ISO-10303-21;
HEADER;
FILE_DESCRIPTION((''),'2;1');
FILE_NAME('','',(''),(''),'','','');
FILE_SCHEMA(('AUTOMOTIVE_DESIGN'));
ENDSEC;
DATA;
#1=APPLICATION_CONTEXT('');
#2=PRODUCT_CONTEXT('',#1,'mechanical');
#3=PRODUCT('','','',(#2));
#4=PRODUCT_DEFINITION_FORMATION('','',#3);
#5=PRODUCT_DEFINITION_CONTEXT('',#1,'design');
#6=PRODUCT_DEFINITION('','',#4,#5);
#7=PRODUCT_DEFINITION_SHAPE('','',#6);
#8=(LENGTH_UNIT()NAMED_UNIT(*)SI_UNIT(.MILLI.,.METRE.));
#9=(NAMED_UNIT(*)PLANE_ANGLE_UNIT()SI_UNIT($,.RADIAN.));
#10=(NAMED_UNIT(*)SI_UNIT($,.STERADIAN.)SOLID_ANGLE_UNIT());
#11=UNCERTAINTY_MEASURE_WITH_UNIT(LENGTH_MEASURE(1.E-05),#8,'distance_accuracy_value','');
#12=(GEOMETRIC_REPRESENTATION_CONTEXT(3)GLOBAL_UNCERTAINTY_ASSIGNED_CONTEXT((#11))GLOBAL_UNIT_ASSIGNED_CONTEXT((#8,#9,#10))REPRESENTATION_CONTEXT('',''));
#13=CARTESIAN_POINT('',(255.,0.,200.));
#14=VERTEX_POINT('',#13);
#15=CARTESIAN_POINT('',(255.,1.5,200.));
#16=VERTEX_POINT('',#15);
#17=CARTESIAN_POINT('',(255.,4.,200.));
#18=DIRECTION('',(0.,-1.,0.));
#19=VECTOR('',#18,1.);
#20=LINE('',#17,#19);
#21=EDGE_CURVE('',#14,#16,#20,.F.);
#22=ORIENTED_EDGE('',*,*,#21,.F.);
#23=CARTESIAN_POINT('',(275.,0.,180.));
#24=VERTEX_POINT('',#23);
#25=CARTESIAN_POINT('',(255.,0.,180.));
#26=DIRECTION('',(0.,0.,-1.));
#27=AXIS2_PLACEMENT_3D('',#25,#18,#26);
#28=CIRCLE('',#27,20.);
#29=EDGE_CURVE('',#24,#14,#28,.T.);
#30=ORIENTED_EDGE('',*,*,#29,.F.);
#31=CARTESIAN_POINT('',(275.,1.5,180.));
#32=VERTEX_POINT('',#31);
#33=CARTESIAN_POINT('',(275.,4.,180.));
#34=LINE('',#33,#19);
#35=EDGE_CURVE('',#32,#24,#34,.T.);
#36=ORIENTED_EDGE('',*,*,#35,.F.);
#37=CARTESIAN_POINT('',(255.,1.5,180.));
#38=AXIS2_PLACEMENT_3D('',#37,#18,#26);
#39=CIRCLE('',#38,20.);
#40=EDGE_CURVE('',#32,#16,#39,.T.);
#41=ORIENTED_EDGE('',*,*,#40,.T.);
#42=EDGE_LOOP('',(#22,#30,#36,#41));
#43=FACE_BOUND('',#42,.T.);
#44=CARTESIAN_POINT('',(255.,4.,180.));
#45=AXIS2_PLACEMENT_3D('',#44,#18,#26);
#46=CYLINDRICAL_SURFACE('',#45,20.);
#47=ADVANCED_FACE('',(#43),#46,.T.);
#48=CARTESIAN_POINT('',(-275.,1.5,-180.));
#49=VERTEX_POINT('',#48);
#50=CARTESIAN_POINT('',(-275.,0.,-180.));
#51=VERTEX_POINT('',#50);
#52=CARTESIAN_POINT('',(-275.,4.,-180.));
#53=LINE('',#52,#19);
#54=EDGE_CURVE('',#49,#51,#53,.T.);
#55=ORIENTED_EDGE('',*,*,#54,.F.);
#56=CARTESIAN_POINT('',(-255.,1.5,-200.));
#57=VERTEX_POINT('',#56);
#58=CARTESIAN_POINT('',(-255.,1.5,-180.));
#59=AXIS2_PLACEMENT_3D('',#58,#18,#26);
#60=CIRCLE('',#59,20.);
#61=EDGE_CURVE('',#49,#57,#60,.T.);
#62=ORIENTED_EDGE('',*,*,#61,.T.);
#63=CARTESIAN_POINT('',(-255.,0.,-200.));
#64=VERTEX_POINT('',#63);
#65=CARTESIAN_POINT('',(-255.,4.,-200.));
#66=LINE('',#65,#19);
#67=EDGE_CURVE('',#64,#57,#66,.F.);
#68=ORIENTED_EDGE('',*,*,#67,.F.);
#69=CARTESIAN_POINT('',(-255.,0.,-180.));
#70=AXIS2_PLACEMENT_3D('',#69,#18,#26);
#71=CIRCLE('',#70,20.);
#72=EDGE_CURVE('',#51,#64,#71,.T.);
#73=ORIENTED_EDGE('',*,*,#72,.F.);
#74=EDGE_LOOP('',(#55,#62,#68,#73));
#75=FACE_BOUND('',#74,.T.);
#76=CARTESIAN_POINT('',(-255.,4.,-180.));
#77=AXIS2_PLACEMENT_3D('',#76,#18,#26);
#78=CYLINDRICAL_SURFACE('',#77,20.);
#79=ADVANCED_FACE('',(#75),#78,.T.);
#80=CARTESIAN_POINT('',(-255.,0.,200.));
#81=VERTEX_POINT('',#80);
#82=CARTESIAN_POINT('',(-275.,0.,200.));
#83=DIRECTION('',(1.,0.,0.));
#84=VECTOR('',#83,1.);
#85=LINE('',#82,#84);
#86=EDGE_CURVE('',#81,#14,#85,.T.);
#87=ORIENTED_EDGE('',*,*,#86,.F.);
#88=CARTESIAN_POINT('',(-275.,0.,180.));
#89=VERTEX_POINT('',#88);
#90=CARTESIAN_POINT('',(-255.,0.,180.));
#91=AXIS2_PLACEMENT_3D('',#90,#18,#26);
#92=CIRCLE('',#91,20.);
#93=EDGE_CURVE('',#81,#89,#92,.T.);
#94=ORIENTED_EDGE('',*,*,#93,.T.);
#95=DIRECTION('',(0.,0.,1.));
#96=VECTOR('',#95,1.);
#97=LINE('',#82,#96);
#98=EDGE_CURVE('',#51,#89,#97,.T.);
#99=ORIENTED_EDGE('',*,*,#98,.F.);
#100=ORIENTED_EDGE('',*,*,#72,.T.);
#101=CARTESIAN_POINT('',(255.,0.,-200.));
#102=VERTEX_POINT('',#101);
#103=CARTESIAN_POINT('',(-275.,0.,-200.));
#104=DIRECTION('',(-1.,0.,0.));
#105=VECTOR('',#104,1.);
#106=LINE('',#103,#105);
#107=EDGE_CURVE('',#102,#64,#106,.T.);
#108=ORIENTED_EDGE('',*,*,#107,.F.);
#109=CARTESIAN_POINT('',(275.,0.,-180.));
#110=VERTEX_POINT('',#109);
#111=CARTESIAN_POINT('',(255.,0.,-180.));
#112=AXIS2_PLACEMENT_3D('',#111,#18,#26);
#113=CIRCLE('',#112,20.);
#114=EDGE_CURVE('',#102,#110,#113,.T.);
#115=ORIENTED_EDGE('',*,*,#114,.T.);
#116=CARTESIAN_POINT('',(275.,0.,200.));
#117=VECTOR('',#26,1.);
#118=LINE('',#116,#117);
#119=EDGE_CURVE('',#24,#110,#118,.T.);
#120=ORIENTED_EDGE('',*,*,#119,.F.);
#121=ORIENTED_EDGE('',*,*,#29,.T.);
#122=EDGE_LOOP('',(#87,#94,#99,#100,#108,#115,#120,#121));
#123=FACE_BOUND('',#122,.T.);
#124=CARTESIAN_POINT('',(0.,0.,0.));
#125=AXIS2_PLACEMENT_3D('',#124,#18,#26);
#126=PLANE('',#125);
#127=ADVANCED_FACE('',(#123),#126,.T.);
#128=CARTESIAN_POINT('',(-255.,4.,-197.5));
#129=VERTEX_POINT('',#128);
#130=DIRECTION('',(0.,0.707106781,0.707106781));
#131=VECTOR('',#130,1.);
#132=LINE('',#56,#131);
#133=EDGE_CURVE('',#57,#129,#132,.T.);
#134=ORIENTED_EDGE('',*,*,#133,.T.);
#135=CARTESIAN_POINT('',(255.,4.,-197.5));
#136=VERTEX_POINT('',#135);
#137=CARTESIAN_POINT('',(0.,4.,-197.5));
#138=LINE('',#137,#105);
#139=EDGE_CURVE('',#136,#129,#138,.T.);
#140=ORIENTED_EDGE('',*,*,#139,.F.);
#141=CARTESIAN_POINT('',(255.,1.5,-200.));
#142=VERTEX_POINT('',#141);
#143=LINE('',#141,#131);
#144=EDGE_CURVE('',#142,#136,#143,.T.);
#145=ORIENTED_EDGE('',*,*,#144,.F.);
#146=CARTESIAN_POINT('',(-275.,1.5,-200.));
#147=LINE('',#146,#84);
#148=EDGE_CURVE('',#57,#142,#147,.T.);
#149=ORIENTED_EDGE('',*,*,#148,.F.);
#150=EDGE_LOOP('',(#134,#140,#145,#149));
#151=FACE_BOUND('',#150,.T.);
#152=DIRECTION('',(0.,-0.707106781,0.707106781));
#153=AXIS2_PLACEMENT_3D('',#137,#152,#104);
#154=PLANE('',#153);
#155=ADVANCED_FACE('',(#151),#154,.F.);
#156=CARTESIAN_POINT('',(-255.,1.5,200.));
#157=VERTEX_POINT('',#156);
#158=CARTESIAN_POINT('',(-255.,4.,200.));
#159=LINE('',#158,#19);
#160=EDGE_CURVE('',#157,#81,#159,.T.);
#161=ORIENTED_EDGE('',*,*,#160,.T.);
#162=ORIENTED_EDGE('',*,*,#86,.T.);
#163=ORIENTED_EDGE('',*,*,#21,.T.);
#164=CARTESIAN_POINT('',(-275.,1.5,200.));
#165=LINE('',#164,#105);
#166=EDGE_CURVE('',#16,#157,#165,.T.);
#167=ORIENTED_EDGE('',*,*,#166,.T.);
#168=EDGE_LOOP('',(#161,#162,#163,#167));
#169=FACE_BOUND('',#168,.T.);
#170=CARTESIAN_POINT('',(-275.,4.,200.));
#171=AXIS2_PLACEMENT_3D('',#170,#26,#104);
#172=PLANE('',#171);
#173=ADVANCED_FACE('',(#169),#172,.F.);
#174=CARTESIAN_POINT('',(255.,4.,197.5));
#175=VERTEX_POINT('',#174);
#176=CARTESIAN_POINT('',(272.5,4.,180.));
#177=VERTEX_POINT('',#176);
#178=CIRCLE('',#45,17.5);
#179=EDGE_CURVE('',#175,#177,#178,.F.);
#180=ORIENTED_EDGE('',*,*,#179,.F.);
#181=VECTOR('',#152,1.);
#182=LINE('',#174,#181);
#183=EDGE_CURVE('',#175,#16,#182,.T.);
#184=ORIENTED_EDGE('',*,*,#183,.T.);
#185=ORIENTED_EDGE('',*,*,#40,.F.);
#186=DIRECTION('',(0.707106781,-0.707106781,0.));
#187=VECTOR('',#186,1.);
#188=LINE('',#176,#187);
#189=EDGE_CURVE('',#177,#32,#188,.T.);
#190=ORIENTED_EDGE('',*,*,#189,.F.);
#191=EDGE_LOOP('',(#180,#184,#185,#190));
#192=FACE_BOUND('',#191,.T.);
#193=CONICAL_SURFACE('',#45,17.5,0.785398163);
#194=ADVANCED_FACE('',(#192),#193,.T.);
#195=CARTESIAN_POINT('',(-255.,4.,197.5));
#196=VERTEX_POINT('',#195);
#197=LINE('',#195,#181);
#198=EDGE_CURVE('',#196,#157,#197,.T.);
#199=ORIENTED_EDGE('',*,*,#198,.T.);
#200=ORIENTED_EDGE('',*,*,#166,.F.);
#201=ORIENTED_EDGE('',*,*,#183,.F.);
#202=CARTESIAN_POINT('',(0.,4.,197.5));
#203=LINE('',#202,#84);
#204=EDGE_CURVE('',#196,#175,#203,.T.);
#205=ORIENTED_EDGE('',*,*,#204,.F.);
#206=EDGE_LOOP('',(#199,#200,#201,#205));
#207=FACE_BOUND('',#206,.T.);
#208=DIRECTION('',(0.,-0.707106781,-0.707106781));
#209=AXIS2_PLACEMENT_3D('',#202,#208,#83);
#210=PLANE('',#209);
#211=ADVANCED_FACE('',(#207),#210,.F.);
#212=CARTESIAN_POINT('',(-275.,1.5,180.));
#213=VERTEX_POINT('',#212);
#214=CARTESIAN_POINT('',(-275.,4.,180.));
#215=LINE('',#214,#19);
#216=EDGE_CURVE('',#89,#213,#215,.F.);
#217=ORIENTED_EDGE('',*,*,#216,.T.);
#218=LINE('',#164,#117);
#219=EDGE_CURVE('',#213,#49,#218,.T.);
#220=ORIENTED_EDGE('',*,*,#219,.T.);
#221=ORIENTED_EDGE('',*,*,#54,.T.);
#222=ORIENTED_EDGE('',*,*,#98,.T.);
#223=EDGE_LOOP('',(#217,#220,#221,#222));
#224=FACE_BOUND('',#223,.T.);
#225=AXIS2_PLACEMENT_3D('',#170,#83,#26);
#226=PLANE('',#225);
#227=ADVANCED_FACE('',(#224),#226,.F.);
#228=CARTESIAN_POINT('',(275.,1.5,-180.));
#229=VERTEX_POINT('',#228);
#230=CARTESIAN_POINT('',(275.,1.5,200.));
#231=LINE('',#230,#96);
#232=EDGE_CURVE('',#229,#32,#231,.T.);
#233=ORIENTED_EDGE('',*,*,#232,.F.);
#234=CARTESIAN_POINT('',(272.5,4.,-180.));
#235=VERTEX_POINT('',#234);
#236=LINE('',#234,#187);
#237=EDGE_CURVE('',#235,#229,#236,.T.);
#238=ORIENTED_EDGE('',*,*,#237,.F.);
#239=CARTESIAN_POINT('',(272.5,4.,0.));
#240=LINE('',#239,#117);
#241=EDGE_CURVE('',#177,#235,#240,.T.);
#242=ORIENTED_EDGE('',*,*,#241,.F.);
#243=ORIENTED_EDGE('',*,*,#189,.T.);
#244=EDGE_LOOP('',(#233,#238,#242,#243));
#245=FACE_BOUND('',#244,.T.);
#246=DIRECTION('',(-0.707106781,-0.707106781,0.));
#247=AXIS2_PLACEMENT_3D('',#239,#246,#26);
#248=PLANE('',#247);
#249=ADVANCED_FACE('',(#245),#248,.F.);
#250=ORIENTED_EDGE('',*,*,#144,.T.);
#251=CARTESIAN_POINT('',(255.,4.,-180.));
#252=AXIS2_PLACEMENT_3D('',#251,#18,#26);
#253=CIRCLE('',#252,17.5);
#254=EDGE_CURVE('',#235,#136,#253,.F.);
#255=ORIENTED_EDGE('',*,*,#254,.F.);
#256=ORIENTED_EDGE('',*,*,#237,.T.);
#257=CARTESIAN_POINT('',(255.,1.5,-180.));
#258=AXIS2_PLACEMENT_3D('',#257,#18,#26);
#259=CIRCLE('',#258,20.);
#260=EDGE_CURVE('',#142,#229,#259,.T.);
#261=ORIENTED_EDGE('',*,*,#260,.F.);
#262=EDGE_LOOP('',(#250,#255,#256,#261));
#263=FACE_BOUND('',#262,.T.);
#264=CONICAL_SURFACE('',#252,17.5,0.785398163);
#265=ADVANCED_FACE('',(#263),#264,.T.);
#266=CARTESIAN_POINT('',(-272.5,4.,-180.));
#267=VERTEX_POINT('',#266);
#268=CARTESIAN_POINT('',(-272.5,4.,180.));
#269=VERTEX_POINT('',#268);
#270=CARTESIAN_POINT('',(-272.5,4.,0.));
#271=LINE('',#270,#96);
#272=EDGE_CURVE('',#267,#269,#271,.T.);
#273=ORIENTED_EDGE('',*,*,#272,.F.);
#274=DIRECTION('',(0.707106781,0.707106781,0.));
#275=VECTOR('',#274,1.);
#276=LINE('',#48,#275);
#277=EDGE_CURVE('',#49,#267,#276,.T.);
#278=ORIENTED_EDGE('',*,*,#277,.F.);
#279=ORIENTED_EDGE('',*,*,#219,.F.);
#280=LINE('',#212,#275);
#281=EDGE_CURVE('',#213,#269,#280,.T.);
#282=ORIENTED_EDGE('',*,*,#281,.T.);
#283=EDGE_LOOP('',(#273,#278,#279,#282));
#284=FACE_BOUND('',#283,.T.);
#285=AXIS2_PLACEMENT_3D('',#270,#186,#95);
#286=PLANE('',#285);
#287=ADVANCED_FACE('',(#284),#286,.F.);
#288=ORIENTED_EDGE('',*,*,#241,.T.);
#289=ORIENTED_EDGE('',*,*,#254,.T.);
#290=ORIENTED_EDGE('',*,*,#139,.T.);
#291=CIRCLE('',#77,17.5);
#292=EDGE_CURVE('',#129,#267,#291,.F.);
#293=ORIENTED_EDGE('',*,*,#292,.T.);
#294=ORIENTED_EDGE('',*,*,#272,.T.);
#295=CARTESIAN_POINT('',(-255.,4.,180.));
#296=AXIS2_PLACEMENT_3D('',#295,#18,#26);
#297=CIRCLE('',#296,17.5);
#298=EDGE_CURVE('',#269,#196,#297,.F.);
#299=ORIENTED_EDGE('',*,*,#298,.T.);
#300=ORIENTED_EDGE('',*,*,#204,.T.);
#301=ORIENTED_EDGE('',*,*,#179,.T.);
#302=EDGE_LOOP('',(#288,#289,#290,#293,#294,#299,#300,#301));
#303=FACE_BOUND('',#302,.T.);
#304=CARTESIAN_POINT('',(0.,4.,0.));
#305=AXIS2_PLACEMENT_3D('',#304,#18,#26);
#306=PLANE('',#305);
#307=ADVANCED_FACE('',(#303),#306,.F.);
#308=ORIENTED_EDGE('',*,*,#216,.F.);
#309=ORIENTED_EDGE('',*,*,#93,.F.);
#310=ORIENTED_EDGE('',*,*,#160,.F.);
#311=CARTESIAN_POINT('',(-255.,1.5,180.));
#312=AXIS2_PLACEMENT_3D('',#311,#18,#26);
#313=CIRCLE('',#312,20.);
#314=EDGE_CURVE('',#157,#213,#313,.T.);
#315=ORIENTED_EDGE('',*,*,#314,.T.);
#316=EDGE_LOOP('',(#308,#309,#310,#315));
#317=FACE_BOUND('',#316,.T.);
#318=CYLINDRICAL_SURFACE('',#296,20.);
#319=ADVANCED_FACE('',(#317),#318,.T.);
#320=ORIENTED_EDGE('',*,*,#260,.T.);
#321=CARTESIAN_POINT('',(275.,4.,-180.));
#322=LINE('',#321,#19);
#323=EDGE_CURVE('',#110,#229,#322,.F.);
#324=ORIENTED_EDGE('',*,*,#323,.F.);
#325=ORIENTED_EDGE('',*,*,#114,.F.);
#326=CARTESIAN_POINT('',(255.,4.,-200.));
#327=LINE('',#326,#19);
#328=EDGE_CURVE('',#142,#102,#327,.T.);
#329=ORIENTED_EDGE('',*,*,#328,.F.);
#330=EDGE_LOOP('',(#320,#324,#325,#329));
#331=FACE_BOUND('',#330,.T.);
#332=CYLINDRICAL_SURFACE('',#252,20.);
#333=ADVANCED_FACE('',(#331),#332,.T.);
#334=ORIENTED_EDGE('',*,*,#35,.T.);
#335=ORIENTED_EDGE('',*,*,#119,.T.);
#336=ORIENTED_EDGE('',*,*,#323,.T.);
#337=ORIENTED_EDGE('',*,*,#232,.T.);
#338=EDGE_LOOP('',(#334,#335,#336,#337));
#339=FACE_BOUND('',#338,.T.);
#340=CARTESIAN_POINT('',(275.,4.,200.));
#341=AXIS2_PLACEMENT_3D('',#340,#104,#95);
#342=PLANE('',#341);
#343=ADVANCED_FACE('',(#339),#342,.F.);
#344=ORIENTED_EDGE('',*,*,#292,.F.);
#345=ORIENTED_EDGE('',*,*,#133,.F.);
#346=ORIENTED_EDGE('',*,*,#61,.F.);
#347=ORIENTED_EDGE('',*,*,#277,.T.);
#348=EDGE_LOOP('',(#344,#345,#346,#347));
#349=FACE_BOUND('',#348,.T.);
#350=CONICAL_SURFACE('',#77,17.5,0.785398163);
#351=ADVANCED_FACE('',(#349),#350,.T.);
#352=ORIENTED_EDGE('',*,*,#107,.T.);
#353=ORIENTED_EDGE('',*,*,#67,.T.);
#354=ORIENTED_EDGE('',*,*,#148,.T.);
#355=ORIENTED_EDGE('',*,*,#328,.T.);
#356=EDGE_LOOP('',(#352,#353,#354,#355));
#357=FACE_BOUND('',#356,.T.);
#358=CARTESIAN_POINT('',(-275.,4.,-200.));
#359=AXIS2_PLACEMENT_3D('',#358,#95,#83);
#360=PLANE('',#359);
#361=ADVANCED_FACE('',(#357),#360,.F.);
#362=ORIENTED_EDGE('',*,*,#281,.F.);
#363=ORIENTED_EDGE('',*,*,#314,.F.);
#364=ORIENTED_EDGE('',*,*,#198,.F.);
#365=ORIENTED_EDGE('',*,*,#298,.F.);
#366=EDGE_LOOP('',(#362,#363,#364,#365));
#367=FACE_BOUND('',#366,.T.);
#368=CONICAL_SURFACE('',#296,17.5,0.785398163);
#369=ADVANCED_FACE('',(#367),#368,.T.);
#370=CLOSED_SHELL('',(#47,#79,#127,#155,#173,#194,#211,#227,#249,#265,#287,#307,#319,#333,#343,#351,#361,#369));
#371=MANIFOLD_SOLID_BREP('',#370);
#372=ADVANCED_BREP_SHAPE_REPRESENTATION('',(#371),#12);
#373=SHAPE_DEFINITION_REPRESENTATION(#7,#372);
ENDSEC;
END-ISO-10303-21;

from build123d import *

# Parameters (mm, degrees)
SKETCH_1_W      = 550
SKETCH_1_H      = 400
EXTRUDE_1_DEPTH = 4
FILLET_1_R      = 20
CHAMFER_1_SIZE  = 2.5


with BuildPart() as part:
    # 스케치1 → 보스-돌출1 (new body)
    with BuildSketch(Plane(origin=(0, 0, 0), x_dir=(1, 0, 0), z_dir=(0, 1, 0))):
        Rectangle(SKETCH_1_W, SKETCH_1_H)
    extrude(amount=EXTRUDE_1_DEPTH)

    # 필렛1
    fillet_1_edges = [part.edges().sort_by_distance(p)[0] for p in [
        (275, 2, 200),
        (-275, 2, 200),
        (-275, 2, -200),
        (275, 2, -200),
    ]]
    fillet(fillet_1_edges, radius=FILLET_1_R)

    # 모따기1
    chamfer_1_edges = [part.edges().sort_by_distance(p)[0] for p in [
        (-275, 4, 0),
        (0, 4, -200),
        (275, 4, 0),
        (0, 4, 200),
        (269.142135624, 4, 194.142135624),
        (269.142135624, 4, -194.142135624),
        (-269.142135624, 4, 194.142135624),
        (-269.142135624, 4, -194.142135624),
    ]]
    chamfer(chamfer_1_edges, length=CHAMFER_1_SIZE)


solid = part.part
